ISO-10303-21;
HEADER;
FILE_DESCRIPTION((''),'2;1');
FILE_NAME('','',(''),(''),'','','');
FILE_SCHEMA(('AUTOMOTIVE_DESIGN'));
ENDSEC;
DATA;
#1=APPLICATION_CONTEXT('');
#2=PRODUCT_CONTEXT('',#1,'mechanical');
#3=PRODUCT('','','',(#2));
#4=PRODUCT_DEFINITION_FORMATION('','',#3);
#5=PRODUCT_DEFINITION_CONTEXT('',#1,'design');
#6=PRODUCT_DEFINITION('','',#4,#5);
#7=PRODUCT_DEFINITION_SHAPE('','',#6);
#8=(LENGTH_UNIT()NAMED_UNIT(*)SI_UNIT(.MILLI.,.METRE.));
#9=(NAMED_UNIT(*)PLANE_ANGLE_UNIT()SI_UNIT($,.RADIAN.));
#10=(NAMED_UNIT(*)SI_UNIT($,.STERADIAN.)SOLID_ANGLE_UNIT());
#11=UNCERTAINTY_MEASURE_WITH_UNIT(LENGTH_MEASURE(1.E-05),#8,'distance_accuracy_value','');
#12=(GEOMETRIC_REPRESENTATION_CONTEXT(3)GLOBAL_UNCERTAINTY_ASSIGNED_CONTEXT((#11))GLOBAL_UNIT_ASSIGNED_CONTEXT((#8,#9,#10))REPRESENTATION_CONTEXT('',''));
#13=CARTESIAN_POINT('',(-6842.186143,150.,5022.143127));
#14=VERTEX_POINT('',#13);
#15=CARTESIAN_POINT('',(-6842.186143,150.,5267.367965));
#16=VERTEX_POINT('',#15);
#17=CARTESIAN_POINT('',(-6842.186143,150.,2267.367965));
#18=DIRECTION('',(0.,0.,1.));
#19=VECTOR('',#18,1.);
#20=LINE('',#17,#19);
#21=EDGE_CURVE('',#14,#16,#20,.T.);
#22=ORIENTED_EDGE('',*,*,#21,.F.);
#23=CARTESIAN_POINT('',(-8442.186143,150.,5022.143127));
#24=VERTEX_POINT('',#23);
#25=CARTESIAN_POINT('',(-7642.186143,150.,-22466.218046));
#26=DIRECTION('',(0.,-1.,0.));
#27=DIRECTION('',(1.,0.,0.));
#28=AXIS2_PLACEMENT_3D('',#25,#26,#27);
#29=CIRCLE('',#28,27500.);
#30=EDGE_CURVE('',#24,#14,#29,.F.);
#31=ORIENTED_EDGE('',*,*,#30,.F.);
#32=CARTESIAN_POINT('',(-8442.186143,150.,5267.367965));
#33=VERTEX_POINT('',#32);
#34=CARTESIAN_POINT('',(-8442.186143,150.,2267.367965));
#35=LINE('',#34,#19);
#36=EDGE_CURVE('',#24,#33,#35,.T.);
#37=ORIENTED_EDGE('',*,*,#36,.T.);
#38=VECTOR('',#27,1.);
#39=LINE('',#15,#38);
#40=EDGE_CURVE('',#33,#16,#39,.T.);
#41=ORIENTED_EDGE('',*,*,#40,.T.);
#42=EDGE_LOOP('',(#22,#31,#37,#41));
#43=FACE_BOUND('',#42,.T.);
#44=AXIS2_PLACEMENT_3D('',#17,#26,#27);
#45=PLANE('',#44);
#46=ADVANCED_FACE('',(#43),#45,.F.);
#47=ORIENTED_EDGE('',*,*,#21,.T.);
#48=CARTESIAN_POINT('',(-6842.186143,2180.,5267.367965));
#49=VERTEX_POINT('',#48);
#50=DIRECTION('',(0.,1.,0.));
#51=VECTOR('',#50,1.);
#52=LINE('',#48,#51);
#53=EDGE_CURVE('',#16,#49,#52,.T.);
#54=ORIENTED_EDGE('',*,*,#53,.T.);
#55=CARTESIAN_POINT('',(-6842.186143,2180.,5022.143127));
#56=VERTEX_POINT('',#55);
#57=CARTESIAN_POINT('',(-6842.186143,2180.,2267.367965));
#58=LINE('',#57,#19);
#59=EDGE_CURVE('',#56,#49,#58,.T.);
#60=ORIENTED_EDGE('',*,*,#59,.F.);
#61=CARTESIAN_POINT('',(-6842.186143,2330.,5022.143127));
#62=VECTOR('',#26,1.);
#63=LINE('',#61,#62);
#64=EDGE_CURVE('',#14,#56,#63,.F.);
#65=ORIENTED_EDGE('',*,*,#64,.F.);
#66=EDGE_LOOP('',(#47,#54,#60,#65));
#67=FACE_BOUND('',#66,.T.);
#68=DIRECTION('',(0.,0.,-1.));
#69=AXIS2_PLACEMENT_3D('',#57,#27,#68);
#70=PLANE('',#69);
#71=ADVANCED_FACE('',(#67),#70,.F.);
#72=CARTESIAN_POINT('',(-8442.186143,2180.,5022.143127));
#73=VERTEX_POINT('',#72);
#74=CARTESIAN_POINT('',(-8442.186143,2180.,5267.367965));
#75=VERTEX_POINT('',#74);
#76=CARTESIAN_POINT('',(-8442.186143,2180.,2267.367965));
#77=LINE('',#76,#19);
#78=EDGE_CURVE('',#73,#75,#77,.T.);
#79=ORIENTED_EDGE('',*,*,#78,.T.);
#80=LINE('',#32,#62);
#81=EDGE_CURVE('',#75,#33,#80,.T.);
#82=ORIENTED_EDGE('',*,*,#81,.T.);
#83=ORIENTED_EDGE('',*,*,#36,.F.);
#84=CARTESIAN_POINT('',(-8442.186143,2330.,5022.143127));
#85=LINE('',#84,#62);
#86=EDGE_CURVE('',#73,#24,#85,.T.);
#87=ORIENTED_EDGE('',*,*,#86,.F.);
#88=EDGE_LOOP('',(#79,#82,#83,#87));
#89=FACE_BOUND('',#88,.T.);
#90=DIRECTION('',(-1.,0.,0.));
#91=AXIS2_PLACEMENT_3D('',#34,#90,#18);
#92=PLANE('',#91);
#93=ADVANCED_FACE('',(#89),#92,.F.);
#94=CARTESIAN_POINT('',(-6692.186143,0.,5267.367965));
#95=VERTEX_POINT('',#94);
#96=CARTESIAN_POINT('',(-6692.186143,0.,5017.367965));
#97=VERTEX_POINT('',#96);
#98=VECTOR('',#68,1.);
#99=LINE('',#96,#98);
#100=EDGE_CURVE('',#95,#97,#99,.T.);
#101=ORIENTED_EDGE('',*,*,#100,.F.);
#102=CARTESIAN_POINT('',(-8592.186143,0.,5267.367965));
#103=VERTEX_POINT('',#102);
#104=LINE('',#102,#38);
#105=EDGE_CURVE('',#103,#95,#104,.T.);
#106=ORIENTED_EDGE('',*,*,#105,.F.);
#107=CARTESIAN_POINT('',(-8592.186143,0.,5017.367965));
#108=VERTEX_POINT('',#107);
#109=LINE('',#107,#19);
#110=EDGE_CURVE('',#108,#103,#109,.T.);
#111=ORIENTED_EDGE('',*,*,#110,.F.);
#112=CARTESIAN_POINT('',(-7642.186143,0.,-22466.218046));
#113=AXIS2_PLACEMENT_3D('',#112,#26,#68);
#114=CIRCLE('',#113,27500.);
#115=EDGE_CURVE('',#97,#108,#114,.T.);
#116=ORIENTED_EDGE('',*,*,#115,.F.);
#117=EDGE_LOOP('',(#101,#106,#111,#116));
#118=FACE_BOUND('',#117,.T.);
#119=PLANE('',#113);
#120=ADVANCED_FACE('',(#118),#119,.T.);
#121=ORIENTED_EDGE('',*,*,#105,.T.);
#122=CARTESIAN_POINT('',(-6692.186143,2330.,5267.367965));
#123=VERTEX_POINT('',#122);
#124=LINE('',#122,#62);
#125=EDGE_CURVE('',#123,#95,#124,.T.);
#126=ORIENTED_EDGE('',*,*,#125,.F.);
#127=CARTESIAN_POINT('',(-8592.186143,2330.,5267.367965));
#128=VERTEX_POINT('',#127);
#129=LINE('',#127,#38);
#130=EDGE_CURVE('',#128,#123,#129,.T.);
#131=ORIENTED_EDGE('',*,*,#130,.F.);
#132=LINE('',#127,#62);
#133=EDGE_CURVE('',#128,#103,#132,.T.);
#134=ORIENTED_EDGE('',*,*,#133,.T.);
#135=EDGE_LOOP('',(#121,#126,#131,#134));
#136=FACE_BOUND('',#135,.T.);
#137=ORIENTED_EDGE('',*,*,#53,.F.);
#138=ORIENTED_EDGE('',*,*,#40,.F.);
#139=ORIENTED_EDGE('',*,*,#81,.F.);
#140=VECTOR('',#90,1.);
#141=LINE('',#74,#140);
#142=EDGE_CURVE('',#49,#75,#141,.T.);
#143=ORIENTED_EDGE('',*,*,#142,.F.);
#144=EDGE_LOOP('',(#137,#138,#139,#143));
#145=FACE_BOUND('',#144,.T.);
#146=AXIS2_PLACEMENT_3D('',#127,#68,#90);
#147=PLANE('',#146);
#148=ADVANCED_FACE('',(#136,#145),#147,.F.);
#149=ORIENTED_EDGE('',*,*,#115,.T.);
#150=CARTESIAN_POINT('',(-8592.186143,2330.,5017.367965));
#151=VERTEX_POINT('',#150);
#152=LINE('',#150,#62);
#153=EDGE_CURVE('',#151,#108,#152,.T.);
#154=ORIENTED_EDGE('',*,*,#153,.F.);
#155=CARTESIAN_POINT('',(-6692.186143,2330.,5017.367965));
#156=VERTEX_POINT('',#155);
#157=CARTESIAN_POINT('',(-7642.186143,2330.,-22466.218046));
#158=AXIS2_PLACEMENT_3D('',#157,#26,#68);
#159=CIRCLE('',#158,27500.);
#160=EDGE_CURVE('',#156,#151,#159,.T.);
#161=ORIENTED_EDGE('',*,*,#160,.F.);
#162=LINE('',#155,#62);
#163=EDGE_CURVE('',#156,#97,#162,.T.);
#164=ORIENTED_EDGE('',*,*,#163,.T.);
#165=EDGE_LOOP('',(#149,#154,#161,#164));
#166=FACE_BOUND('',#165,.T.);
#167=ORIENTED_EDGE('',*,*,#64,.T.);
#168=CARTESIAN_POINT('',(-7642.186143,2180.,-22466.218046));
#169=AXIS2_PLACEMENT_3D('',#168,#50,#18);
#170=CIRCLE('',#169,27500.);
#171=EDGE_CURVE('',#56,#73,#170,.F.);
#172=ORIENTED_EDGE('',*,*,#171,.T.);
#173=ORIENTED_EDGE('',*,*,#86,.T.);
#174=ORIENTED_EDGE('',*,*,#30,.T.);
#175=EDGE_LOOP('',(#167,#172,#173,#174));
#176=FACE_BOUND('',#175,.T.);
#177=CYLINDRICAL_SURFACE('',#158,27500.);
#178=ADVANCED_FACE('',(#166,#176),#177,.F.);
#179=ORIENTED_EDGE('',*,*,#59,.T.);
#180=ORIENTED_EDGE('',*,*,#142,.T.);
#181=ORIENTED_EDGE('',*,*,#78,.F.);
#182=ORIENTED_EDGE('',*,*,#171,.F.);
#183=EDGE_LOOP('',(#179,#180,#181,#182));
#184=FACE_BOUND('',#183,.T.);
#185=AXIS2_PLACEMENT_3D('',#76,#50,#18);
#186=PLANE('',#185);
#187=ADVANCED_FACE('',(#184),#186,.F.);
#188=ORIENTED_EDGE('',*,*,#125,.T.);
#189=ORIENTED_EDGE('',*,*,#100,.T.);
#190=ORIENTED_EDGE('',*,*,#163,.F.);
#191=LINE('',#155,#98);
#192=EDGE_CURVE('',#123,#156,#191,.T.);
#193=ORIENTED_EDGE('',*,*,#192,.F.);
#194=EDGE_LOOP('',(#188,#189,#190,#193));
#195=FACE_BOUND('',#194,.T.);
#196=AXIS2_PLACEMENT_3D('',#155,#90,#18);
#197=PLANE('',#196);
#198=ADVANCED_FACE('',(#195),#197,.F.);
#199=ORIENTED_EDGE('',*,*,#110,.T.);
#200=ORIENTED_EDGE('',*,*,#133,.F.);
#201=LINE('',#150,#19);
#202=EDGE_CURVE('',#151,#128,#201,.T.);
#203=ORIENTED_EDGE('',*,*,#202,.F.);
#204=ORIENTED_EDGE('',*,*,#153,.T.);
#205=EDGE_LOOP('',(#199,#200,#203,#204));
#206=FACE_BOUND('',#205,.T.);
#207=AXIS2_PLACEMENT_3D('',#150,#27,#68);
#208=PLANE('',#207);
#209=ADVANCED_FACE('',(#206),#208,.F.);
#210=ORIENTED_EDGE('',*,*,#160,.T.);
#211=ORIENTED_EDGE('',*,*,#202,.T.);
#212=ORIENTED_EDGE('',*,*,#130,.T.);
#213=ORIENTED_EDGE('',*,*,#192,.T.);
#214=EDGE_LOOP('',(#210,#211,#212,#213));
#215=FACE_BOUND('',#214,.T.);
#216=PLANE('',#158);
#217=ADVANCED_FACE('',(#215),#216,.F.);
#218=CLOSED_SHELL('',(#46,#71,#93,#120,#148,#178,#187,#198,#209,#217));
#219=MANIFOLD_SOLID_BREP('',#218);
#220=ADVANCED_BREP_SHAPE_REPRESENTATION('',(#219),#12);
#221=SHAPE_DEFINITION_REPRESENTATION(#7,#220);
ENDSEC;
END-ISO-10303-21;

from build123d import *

# Parameters (mm, degrees)
BOSS_EXTRUDE1_DEPTH = 2330
SKETCH3_W           = 1600
SKETCH3_H           = 2030
CUT_EXTRUDE1_DEPTH  = 3000


with BuildPart() as part:
    # Sketch2 → Boss-Extrude1 (new body)
    with BuildSketch(Plane(origin=(0, 0, 0), x_dir=(1, 0, 0), z_dir=(0, 1, 0))):
        with BuildLine():
            Line((-6692.186143144, -5017.367964626), (-6692.186143144, -5267.367964626))
            Line((-6692.186143144, -5267.367964626), (-8592.186143144, -5267.367964626))
            Line((-8592.186143144, -5267.367964626), (-8592.186143144, -5017.367964626))
            ThreePointArc((-8592.186143144, -5017.367964626), (-7642.186143144, -5033.781954063), (-6692.186143144, -5017.367964626))
        make_face()
    extrude(amount=BOSS_EXTRUDE1_DEPTH)

    # Sketch3 → Cut-Extrude1 (cut)
    with BuildSketch(Plane.XY.offset(5267.367964626)):
        with Locations((-7642.186143144, 1165)):
            Rectangle(SKETCH3_W, SKETCH3_H)
    extrude(amount=-CUT_EXTRUDE1_DEPTH, mode=Mode.SUBTRACT)


solid = part.part
